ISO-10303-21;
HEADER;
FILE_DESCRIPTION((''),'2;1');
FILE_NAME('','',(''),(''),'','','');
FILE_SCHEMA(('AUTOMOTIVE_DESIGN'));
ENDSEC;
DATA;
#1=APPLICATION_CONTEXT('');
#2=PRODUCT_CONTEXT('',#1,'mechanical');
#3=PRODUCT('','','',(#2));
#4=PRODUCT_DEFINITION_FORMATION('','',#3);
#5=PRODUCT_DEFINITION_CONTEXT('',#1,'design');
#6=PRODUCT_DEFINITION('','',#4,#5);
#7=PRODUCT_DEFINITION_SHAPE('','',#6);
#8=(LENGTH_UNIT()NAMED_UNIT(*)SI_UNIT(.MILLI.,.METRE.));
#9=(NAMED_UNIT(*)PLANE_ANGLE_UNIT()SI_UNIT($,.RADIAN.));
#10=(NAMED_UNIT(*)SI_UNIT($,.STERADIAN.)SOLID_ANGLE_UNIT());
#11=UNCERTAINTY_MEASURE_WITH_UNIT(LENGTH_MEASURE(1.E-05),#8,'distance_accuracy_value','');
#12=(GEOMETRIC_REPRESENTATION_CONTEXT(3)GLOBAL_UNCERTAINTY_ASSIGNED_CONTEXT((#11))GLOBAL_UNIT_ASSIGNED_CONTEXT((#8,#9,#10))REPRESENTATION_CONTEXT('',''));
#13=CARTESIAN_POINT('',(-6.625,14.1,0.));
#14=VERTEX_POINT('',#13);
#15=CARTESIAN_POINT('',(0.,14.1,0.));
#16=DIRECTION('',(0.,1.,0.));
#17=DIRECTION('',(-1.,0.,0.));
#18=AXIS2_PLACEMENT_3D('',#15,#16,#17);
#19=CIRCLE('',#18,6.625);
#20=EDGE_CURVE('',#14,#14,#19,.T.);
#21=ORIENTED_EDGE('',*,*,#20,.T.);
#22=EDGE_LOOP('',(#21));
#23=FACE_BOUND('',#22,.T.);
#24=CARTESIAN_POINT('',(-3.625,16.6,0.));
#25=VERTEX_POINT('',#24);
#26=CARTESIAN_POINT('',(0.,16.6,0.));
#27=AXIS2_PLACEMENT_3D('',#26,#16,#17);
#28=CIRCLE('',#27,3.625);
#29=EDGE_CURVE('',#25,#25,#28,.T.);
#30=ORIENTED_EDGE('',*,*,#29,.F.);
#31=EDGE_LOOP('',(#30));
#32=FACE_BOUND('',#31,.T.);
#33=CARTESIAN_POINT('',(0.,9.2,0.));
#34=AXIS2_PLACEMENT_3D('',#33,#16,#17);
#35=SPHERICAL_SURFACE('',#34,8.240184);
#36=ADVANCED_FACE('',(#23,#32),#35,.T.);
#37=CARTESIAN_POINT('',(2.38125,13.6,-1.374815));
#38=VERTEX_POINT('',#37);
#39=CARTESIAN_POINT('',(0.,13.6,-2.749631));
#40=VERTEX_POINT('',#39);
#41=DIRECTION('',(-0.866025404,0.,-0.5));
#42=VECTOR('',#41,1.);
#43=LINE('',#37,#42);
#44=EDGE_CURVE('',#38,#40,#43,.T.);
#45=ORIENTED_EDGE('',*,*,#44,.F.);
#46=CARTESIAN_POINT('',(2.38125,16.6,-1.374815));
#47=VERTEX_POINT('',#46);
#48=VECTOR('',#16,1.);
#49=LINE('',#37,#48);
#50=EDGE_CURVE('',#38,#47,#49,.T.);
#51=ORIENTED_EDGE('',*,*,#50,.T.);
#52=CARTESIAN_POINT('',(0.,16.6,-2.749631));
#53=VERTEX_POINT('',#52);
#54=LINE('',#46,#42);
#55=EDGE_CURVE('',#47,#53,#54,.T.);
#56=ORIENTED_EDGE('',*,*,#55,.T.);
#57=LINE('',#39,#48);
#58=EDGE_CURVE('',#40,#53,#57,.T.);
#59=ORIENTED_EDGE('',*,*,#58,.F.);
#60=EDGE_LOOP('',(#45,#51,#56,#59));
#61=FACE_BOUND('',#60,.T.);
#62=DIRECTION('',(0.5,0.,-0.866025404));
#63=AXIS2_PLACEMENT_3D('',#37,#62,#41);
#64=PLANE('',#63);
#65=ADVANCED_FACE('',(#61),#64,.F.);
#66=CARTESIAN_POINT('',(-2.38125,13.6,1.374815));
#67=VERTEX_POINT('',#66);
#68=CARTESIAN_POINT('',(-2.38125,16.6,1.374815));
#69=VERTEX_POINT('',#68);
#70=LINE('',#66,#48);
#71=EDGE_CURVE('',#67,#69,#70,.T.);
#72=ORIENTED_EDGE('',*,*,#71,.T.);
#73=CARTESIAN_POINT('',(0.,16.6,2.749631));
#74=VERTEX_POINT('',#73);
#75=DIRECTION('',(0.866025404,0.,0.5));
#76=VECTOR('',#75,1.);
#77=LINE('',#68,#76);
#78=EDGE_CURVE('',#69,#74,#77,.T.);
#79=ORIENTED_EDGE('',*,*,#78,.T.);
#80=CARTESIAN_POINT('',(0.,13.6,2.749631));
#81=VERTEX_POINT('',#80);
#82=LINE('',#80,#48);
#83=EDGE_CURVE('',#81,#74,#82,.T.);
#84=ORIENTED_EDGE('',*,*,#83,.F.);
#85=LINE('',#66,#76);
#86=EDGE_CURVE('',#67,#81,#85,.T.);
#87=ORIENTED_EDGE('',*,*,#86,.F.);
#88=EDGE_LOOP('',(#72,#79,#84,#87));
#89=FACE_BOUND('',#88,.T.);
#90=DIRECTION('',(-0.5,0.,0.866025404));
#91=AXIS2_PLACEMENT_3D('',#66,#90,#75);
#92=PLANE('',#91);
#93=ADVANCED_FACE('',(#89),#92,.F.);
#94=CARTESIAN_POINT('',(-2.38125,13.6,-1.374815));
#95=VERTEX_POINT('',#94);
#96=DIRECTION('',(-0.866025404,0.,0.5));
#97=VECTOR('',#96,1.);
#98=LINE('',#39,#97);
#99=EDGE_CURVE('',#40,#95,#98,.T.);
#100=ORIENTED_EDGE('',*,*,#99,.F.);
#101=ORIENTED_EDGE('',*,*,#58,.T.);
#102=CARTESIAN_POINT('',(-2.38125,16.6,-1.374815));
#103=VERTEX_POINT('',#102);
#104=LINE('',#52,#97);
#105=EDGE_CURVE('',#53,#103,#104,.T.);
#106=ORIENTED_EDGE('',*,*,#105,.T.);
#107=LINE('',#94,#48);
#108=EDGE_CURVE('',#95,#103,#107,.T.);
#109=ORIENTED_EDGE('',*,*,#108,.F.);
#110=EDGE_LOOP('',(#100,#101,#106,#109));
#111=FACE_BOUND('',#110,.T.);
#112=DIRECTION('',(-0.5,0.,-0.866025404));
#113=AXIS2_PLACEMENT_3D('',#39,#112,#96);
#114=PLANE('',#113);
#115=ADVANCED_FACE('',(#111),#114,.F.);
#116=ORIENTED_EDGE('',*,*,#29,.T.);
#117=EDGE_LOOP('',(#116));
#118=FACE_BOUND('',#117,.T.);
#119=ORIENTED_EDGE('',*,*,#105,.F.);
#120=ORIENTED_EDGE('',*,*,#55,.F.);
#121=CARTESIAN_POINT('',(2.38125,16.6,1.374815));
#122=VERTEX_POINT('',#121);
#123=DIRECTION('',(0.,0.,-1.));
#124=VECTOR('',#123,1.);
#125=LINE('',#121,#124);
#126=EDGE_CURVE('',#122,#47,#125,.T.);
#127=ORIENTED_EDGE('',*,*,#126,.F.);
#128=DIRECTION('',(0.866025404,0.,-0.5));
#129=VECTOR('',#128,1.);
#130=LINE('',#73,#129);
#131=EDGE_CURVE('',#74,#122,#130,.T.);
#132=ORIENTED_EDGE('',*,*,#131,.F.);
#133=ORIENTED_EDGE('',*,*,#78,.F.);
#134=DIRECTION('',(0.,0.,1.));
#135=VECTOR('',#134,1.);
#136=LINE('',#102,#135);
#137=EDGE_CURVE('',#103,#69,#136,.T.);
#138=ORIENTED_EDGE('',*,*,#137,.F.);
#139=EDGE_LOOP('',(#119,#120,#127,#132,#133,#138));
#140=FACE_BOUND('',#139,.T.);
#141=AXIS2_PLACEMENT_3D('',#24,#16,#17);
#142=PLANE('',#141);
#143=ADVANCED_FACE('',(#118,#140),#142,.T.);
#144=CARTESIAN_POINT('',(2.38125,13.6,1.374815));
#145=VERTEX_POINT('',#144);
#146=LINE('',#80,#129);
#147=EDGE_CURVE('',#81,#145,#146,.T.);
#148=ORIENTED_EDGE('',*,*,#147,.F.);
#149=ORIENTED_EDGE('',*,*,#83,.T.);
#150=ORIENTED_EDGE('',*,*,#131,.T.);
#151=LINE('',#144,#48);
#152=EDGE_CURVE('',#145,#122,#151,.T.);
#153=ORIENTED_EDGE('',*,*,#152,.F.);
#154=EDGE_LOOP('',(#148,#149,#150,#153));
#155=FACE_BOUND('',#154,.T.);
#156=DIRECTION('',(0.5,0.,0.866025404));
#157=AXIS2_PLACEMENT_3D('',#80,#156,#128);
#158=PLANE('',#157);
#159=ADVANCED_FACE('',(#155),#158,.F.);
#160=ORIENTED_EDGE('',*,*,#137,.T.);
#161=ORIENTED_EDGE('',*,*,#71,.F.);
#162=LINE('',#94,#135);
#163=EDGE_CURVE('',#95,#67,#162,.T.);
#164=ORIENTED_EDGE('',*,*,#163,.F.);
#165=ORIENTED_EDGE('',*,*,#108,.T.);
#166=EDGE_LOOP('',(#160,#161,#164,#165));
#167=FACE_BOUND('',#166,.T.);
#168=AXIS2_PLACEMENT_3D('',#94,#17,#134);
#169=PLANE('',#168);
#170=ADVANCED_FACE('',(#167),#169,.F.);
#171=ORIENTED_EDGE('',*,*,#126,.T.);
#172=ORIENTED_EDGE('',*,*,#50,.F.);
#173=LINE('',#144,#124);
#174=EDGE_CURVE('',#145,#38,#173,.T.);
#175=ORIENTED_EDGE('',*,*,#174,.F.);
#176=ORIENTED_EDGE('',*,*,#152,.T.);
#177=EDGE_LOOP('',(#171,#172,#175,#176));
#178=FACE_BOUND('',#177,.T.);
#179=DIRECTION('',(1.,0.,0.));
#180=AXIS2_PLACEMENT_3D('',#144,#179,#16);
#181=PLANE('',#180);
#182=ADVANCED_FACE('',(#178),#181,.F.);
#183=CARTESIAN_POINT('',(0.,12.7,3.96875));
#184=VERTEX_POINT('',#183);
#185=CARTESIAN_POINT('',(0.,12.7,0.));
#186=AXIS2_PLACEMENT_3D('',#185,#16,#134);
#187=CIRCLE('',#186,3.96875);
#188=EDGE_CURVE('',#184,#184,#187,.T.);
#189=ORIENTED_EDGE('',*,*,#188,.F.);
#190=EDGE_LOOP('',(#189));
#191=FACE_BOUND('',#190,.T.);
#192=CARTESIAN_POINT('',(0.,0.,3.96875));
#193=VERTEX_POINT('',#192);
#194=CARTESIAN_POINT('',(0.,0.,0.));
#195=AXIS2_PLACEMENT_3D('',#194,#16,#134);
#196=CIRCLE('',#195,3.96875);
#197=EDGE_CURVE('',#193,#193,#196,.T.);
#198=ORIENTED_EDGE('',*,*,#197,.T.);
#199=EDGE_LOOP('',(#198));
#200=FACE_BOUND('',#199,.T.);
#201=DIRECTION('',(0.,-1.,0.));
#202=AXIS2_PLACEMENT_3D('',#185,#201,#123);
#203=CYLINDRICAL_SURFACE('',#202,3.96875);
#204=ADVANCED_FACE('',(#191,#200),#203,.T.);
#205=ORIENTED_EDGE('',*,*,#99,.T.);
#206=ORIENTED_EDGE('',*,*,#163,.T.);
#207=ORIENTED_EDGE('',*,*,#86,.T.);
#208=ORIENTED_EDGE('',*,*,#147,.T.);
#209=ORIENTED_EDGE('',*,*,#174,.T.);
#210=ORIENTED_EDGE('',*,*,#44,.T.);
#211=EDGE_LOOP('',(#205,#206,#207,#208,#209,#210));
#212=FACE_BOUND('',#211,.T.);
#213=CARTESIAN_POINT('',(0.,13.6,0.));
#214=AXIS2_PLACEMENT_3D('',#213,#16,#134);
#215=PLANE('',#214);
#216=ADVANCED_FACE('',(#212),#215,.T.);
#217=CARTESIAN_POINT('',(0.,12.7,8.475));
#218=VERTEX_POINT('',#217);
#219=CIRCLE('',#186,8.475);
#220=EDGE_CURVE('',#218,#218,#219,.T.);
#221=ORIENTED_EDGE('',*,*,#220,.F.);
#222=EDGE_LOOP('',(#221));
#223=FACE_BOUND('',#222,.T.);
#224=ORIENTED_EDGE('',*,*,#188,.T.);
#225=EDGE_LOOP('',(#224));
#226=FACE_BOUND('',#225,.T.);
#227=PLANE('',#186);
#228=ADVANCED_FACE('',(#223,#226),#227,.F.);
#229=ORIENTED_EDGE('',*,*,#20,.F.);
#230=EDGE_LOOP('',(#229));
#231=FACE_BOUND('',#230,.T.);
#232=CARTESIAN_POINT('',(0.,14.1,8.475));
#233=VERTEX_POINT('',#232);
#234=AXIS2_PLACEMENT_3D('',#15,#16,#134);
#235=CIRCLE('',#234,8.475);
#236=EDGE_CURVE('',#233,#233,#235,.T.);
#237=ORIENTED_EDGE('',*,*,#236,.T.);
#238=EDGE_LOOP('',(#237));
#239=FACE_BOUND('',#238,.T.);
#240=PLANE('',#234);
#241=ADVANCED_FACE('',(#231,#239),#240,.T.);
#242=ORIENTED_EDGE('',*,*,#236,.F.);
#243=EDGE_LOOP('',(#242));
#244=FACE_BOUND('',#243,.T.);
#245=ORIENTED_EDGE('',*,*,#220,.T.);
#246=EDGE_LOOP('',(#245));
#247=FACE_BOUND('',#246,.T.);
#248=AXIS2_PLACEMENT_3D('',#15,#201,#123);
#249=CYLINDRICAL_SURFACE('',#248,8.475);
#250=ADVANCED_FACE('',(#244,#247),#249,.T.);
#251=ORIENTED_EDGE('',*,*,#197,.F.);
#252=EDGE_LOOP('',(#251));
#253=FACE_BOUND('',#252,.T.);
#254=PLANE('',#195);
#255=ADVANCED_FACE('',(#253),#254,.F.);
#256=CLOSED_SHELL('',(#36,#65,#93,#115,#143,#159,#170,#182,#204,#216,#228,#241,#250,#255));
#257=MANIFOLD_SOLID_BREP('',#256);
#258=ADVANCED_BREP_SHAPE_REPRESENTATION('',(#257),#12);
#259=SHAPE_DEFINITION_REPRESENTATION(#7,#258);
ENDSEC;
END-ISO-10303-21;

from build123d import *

# Parameters (mm, degrees)
SKETCH1_R           = 3.96875
BOSS_EXTRUDE1_DEPTH = 12.7
SKETCH2_R           = 8.475
BOSS_EXTRUDE2_DEPTH = 1.4
CUT_EXTRUDE1_DEPTH  = 3


with BuildPart() as part:
    # Sketch1 → Boss-Extrude1 (new body)
    with BuildSketch(Plane(origin=(0, 0, 0), x_dir=(1, 0, 0), z_dir=(0, 1, 0))):
        Circle(SKETCH1_R)
    extrude(amount=BOSS_EXTRUDE1_DEPTH)

    # Sketch2 → Boss-Extrude2 (add)
    with BuildSketch(Plane(origin=(0, 12.7, 0), x_dir=(1, 0, 0), z_dir=(0, 1, 0))):
        Circle(SKETCH2_R)
    extrude(amount=BOSS_EXTRUDE2_DEPTH)

    # Sketch3 → Revolve2 (revolve)
    with BuildSketch(Plane.XY):
        with BuildLine():
            Line((-3.625, 16.6), (0, 16.6))
            Line((0, 16.6), (0, 14.1))
            Line((0, 14.1), (-6.625, 14.1))
            ThreePointArc((-6.625, 14.1), (-5.275236962, 15.530284354), (-3.625, 16.6))
        make_face()
    revolve(axis=Axis((0, 16.6, 0), (0, -1, 0)))

    # Sketch4 → Cut-Extrude1 (cut)
    with BuildSketch(Plane(origin=(0, 16.6, 0), x_dir=(1, 0, 0), z_dir=(0, 1, 0))):
        Polygon((-2.38125, 1.374815329), (-2.38125, -1.374815329), (0, -2.749630657), (2.38125, -1.374815329), (2.38125, 1.374815329), (0, 2.749630657), align=None)
    extrude(amount=-CUT_EXTRUDE1_DEPTH, mode=Mode.SUBTRACT)


solid = part.part
